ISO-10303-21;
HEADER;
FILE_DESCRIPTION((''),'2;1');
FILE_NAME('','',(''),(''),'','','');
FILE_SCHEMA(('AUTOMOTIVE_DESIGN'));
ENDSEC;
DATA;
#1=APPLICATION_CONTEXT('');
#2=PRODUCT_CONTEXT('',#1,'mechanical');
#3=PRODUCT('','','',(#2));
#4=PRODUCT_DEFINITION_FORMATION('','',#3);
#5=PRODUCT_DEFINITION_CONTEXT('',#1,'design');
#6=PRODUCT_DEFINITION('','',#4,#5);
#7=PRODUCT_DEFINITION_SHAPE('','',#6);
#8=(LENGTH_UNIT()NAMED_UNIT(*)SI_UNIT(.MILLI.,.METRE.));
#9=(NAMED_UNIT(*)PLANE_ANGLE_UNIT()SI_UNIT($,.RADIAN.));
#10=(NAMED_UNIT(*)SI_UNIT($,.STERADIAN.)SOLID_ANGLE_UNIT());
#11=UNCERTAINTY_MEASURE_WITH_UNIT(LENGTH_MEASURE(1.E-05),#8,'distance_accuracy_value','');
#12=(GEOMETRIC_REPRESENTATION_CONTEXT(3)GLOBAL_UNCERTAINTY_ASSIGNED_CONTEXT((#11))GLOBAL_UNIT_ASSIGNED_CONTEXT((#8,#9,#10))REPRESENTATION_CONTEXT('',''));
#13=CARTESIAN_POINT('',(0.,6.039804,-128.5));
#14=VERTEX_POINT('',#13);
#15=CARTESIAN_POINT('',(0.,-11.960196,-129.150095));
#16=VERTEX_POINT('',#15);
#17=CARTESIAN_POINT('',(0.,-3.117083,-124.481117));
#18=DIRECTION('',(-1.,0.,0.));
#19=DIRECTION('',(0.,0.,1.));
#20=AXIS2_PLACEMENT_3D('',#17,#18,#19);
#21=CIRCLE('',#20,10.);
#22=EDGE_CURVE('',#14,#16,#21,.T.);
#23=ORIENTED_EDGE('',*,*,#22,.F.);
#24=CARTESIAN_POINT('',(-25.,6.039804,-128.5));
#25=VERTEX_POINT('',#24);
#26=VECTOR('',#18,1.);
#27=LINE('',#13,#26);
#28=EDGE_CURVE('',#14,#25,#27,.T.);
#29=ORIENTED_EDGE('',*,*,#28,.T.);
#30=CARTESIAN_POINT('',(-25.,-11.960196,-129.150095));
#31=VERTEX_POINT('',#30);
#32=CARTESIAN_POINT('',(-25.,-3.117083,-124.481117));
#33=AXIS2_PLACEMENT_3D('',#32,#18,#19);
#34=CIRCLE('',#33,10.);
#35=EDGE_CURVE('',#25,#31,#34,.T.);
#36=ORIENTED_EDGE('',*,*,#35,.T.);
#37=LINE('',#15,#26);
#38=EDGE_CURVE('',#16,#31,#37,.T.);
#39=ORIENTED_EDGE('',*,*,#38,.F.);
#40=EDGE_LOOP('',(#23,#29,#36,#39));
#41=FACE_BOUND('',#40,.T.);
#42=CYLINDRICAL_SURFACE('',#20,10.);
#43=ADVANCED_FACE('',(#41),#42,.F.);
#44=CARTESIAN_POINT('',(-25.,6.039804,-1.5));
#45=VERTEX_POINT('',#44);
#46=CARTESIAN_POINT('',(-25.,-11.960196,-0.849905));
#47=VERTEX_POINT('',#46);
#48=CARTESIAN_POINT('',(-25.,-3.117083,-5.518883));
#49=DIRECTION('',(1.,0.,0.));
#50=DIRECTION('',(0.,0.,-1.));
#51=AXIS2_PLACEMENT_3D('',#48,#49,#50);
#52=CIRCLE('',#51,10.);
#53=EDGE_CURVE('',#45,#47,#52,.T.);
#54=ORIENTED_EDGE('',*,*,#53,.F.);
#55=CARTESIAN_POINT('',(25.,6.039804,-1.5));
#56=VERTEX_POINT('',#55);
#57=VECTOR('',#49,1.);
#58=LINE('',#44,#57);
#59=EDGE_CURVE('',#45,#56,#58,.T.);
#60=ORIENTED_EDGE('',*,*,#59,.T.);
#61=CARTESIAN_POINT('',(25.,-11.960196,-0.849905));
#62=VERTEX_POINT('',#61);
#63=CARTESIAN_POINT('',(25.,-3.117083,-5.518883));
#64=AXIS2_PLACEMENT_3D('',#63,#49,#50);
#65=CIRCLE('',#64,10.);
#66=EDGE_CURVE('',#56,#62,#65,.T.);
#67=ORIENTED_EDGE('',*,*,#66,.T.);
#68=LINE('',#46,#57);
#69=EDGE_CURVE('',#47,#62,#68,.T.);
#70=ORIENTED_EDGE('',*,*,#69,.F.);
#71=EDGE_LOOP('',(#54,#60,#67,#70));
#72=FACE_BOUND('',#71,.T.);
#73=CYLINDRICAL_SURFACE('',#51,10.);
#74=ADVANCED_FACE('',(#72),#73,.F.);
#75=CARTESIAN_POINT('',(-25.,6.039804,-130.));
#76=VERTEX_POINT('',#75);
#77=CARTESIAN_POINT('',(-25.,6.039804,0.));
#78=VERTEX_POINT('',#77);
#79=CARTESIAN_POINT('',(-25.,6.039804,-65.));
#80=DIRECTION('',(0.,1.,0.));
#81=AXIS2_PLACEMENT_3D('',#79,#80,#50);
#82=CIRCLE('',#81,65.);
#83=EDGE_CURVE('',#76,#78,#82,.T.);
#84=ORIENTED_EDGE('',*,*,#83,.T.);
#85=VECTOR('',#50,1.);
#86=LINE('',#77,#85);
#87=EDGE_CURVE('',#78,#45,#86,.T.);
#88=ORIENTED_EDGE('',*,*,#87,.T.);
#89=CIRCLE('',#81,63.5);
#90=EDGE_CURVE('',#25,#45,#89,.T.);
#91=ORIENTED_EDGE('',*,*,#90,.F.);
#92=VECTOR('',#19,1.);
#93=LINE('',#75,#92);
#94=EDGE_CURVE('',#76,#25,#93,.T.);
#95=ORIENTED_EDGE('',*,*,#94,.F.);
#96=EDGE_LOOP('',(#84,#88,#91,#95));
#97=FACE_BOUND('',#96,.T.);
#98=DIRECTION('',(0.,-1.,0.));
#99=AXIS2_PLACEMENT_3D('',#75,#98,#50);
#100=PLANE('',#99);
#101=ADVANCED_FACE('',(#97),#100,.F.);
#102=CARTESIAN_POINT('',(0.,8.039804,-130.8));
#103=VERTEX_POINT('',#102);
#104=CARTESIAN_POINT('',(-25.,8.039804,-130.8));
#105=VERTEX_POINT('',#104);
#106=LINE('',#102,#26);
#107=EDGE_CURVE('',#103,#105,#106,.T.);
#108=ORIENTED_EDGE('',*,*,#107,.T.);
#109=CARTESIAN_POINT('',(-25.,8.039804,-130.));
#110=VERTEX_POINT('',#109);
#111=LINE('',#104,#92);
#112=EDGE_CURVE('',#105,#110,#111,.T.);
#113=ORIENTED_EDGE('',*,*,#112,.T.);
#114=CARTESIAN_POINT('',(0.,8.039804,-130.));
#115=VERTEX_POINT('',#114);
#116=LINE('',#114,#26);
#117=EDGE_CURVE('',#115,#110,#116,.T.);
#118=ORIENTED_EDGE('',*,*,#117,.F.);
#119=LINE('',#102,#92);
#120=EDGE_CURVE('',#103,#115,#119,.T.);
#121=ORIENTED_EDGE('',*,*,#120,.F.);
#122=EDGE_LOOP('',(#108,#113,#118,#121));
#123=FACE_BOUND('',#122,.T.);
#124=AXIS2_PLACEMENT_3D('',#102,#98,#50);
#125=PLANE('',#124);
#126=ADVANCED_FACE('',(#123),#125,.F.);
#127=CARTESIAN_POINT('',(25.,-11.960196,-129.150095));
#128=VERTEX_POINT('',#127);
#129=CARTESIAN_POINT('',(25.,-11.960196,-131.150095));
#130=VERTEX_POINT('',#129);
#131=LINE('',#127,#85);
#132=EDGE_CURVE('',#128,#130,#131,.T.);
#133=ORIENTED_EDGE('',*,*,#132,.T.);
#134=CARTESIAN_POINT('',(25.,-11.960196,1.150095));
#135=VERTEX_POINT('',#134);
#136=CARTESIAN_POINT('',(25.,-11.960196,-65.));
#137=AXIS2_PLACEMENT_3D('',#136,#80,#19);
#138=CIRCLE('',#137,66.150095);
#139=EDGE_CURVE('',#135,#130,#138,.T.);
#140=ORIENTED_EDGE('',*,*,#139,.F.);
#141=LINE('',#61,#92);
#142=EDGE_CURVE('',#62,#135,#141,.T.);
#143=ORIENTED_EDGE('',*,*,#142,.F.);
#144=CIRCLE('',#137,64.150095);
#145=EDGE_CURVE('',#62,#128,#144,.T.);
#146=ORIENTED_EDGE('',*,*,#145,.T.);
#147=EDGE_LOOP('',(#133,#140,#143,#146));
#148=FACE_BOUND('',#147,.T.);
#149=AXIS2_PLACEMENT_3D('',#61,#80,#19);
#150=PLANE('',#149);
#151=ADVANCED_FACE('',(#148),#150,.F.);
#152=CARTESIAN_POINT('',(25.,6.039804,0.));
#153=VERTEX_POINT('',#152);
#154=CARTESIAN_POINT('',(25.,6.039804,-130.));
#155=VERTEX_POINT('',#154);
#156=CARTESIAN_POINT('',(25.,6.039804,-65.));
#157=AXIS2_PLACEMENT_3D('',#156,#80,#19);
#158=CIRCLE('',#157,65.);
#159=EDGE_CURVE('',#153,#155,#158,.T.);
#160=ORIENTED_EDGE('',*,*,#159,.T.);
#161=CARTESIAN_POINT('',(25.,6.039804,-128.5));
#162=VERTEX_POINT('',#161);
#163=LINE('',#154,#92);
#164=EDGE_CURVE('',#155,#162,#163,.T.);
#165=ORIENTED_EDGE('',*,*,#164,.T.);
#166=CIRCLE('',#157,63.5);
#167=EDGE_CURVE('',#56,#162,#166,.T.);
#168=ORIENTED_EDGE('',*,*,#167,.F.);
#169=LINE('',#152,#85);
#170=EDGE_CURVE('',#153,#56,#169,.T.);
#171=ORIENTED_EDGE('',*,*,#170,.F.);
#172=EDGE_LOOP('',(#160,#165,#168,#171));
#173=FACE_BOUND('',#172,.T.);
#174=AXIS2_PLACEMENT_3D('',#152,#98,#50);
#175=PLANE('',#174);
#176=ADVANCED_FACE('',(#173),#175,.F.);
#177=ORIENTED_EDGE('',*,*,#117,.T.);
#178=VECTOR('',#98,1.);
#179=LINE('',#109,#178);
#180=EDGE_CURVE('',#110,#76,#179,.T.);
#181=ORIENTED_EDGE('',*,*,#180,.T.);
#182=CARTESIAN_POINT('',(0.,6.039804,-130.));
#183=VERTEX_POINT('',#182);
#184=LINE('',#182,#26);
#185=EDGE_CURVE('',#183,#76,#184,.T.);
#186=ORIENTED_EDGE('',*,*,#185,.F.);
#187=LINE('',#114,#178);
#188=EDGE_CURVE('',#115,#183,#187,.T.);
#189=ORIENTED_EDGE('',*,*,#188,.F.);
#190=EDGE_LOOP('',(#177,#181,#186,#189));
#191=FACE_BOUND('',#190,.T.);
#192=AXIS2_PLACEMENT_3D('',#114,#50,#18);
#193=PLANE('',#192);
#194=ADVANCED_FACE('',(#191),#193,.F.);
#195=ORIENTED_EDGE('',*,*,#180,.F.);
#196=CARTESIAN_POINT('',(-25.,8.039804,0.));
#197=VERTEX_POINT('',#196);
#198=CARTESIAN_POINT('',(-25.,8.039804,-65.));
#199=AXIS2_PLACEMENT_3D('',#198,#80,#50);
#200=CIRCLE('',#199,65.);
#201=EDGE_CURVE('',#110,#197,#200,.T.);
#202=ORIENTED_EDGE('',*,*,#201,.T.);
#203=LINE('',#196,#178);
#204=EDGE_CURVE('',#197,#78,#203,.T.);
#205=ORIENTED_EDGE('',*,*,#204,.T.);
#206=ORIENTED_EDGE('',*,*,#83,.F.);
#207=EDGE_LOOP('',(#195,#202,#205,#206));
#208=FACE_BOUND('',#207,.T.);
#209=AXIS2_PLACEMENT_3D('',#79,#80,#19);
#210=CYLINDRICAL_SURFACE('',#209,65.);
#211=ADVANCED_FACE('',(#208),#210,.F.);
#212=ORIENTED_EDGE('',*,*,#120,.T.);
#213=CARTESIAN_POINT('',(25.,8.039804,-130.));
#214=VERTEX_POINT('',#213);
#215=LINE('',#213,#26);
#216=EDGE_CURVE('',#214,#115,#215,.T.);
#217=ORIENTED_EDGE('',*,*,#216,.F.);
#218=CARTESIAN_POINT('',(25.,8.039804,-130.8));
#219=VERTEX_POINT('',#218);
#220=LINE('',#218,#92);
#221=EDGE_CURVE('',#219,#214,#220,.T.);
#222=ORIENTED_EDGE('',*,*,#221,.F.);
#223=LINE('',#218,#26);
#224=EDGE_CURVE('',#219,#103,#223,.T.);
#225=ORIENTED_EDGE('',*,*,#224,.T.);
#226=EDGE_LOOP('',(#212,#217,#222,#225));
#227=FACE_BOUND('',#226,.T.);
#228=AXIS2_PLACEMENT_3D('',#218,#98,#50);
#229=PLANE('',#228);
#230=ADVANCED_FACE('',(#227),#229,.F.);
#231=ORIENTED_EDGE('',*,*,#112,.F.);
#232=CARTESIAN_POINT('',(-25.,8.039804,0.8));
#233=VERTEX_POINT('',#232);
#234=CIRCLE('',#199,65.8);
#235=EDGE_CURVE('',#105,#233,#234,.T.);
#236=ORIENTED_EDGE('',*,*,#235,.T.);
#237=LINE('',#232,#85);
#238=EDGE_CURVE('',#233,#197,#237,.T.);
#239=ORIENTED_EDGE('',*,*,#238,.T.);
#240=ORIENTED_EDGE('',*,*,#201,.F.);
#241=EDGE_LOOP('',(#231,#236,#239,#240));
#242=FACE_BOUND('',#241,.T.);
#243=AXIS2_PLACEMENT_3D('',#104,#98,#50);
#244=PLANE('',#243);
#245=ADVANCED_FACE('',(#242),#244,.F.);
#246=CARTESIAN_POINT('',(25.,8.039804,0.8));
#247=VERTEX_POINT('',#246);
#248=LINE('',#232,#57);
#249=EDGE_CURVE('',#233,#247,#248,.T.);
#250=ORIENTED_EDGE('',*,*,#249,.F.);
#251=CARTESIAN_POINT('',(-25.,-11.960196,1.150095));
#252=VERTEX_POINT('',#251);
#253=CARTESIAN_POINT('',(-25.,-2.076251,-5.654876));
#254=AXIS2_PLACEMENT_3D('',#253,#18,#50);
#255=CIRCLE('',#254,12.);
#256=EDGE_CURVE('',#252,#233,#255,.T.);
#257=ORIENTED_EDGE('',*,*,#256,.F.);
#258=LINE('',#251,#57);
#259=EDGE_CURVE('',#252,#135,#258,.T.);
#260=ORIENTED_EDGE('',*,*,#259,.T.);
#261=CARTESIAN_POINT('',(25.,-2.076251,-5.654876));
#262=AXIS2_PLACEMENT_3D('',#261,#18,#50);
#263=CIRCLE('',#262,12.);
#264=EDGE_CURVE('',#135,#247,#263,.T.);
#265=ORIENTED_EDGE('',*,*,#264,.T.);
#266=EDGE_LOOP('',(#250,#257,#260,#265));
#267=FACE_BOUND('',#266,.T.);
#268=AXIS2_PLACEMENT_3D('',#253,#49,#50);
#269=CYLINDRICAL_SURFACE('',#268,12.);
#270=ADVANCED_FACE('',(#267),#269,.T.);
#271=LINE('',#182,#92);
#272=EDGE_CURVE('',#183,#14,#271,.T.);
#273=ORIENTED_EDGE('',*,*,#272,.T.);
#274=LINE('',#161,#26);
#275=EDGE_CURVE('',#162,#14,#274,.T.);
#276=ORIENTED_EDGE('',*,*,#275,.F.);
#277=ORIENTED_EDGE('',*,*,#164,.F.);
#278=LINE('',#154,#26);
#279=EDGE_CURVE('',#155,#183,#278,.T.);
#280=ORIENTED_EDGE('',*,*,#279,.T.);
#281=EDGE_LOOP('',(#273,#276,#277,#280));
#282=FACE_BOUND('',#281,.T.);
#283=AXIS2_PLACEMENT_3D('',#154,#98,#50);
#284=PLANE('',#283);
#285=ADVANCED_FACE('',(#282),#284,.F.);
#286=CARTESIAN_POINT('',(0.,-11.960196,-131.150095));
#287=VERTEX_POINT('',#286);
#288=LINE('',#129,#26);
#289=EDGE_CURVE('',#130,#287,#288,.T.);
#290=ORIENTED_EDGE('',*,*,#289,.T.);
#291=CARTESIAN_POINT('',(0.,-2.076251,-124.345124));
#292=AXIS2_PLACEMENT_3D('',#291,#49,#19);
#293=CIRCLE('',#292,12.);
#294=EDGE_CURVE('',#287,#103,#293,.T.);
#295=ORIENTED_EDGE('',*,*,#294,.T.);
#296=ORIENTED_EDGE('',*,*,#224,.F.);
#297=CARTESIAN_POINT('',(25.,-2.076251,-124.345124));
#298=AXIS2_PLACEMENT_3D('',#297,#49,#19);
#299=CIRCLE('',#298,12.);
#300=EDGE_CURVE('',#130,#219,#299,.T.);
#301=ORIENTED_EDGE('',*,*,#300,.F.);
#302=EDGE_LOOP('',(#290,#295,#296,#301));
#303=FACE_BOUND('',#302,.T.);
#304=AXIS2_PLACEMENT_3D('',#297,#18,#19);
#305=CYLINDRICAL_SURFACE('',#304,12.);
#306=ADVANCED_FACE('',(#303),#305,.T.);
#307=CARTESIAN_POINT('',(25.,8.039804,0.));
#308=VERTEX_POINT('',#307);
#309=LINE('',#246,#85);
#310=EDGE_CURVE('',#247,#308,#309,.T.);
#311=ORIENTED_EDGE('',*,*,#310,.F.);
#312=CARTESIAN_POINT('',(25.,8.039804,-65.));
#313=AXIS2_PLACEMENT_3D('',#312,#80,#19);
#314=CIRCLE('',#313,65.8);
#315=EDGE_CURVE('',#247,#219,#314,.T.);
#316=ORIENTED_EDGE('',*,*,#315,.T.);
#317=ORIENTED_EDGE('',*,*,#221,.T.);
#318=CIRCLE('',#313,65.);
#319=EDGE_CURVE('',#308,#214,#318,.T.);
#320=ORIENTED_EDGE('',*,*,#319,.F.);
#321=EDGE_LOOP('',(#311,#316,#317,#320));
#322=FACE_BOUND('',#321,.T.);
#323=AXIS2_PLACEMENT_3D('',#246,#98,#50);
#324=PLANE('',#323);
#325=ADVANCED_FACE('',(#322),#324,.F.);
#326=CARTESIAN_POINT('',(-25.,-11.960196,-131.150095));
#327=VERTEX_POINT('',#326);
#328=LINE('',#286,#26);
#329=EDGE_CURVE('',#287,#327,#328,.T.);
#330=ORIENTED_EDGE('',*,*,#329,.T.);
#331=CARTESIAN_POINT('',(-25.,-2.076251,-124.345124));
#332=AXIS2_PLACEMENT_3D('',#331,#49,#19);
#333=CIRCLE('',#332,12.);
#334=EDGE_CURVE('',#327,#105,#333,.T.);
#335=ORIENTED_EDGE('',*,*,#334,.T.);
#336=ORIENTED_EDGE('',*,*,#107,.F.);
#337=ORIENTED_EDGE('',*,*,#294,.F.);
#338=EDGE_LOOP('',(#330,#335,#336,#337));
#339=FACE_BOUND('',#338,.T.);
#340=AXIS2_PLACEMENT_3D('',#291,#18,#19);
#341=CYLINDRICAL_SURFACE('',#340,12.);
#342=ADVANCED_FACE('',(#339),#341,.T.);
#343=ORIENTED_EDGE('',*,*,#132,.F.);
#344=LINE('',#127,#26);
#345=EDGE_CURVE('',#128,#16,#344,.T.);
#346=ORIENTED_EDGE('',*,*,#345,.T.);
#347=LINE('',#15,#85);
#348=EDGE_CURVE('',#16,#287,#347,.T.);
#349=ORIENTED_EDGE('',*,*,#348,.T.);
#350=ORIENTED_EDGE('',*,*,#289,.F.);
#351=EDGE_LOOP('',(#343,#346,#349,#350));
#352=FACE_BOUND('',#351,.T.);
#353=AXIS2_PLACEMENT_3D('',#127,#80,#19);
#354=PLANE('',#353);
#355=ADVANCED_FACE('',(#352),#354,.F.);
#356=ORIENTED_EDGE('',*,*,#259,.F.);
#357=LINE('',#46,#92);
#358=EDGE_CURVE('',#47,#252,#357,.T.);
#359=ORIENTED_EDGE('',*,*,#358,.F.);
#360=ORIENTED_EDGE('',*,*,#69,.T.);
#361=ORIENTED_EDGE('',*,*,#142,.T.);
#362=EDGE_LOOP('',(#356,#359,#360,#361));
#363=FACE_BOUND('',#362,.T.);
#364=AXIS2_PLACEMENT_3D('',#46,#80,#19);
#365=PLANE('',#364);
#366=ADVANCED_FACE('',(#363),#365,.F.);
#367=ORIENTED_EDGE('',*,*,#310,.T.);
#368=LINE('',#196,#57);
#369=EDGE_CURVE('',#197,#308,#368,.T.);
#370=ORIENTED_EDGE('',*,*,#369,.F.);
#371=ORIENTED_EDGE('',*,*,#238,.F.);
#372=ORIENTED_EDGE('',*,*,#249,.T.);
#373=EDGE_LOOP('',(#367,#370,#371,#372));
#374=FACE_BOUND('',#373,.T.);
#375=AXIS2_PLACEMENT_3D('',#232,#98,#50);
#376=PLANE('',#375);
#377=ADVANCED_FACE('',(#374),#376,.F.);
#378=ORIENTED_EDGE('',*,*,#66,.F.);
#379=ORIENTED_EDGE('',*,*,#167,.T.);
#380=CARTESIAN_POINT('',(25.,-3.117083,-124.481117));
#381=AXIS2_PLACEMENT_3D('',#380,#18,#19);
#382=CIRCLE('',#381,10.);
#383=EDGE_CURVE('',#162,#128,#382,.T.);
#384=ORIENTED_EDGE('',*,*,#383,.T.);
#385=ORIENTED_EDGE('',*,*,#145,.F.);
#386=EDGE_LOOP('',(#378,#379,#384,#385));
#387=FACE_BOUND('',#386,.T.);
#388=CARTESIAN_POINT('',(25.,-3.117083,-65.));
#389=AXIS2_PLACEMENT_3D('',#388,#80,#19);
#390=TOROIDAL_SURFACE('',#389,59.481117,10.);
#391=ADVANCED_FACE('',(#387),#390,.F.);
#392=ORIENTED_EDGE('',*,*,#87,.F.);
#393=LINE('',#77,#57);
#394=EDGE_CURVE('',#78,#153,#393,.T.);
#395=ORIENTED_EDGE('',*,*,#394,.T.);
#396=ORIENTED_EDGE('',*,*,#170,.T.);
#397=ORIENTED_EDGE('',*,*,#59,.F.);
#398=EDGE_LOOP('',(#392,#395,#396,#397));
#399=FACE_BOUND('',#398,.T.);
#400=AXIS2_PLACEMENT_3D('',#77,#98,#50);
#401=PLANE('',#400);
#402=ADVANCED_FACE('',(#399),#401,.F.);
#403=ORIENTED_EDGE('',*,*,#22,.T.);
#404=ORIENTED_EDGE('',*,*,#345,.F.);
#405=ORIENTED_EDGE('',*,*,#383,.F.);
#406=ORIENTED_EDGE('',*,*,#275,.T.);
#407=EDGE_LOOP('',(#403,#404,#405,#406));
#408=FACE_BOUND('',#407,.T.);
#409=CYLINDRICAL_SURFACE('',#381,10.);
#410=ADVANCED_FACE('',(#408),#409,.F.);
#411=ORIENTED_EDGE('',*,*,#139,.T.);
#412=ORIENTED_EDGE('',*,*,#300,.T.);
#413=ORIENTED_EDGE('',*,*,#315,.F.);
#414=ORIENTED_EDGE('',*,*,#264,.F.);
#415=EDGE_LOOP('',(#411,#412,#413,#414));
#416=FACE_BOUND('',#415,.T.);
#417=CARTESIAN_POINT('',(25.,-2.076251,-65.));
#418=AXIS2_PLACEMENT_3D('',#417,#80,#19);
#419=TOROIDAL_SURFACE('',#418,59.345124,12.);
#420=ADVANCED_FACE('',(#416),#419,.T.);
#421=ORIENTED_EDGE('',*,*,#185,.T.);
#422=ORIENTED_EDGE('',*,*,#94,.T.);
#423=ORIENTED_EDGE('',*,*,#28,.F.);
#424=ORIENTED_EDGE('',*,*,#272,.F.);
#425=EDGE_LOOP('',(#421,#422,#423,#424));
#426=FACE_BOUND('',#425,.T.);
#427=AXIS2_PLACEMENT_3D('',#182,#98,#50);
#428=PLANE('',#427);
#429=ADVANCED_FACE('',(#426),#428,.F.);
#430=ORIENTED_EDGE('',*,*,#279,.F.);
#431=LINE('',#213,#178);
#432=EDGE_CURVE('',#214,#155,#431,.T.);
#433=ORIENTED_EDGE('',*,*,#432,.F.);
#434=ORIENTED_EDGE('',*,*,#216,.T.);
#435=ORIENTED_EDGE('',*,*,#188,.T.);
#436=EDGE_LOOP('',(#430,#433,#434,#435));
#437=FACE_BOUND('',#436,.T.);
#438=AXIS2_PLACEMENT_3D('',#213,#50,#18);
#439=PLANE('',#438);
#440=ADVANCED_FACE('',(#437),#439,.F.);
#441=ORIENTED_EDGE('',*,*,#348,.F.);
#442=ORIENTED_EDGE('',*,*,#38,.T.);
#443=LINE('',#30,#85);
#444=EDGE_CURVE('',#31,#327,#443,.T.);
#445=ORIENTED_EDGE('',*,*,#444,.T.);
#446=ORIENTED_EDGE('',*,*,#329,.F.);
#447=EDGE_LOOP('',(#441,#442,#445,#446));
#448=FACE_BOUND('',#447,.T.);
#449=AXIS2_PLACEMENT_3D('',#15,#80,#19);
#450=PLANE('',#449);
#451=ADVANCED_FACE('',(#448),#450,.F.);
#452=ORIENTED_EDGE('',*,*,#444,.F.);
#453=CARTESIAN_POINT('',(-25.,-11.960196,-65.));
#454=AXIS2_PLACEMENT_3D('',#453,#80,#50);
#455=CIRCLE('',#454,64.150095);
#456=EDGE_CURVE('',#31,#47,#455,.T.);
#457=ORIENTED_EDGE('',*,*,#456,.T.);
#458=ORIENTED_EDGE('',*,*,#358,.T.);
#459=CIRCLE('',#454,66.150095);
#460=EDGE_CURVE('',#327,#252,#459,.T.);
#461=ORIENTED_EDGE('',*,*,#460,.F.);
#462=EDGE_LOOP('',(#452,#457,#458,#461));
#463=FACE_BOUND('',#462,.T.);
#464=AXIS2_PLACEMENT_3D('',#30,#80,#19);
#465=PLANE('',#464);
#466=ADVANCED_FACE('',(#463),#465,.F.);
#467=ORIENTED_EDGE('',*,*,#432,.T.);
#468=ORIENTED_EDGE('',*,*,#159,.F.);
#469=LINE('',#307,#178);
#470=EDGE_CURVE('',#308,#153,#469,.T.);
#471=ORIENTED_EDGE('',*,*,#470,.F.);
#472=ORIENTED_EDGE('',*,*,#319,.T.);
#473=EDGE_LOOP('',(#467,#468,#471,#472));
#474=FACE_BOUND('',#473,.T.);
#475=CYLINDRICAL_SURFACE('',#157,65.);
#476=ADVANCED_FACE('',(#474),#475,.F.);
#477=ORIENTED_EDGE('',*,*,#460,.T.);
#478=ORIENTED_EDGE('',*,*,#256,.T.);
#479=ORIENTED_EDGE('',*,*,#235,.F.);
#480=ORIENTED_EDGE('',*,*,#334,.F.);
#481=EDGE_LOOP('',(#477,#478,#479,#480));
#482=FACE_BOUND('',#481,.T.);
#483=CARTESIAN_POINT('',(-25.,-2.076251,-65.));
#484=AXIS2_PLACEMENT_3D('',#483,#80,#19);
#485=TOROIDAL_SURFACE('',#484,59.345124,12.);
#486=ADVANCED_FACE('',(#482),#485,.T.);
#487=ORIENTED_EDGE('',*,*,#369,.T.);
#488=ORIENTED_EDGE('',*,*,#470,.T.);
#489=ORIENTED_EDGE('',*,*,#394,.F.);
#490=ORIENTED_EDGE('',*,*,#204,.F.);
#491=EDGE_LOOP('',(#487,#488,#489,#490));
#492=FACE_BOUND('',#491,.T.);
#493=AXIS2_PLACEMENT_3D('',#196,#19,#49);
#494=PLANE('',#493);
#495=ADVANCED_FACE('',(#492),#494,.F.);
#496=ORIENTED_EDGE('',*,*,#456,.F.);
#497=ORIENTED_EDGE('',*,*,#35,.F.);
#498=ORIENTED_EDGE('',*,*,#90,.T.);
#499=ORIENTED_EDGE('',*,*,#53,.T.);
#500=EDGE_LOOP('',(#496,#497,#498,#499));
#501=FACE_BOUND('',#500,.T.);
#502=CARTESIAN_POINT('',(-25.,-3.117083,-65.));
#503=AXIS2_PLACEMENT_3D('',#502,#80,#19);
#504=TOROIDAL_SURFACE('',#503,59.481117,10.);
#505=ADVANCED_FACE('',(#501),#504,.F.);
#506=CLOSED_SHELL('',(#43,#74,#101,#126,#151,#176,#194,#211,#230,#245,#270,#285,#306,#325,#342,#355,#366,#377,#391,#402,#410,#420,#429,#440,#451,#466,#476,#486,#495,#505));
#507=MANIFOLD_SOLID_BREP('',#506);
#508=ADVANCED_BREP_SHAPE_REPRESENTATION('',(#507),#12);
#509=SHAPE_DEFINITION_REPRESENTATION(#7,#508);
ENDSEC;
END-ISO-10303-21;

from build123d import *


with BuildPart() as part:
    # Sweep1: sweep along a path in Sketch3
    with BuildLine(Plane(origin=(0, 6.039803803, 0), x_dir=(1, 0, 0), z_dir=(0, 1, 0))) as sweep1_path:
        Line((-25, 130), (25, 130))
        ThreePointArc((25, 130), (90, 65), (25, 0))
        Line((25, 0), (-25, 0))
        ThreePointArc((-25, 0), (-90, 65), (-25, 130))
    # Sketch1 → Sweep1 (sweep)
    with BuildSketch(Plane(origin=(0, 0, 0), x_dir=(0, 0, -1), z_dir=(1, 0, 0))):
        with BuildLine():
            Line((130.8, 8.039803803), (130, 8.039803803))
            Line((130, 8.039803803), (130, 6.039803803))
            Line((130, 6.039803803), (128.5, 6.039803803))
            ThreePointArc((128.5, 6.039803803), (134.474601817, -2.75615457), (129.150095427, -11.960196197))
            Line((129.150095427, -11.960196197), (131.150095427, -11.960196197))
            ThreePointArc((131.150095427, -11.960196197), (136.343285843, -1.866226416), (130.8, 8.039803803))
        make_face()
    sweep(path=sweep1_path.line)


solid = part.part
